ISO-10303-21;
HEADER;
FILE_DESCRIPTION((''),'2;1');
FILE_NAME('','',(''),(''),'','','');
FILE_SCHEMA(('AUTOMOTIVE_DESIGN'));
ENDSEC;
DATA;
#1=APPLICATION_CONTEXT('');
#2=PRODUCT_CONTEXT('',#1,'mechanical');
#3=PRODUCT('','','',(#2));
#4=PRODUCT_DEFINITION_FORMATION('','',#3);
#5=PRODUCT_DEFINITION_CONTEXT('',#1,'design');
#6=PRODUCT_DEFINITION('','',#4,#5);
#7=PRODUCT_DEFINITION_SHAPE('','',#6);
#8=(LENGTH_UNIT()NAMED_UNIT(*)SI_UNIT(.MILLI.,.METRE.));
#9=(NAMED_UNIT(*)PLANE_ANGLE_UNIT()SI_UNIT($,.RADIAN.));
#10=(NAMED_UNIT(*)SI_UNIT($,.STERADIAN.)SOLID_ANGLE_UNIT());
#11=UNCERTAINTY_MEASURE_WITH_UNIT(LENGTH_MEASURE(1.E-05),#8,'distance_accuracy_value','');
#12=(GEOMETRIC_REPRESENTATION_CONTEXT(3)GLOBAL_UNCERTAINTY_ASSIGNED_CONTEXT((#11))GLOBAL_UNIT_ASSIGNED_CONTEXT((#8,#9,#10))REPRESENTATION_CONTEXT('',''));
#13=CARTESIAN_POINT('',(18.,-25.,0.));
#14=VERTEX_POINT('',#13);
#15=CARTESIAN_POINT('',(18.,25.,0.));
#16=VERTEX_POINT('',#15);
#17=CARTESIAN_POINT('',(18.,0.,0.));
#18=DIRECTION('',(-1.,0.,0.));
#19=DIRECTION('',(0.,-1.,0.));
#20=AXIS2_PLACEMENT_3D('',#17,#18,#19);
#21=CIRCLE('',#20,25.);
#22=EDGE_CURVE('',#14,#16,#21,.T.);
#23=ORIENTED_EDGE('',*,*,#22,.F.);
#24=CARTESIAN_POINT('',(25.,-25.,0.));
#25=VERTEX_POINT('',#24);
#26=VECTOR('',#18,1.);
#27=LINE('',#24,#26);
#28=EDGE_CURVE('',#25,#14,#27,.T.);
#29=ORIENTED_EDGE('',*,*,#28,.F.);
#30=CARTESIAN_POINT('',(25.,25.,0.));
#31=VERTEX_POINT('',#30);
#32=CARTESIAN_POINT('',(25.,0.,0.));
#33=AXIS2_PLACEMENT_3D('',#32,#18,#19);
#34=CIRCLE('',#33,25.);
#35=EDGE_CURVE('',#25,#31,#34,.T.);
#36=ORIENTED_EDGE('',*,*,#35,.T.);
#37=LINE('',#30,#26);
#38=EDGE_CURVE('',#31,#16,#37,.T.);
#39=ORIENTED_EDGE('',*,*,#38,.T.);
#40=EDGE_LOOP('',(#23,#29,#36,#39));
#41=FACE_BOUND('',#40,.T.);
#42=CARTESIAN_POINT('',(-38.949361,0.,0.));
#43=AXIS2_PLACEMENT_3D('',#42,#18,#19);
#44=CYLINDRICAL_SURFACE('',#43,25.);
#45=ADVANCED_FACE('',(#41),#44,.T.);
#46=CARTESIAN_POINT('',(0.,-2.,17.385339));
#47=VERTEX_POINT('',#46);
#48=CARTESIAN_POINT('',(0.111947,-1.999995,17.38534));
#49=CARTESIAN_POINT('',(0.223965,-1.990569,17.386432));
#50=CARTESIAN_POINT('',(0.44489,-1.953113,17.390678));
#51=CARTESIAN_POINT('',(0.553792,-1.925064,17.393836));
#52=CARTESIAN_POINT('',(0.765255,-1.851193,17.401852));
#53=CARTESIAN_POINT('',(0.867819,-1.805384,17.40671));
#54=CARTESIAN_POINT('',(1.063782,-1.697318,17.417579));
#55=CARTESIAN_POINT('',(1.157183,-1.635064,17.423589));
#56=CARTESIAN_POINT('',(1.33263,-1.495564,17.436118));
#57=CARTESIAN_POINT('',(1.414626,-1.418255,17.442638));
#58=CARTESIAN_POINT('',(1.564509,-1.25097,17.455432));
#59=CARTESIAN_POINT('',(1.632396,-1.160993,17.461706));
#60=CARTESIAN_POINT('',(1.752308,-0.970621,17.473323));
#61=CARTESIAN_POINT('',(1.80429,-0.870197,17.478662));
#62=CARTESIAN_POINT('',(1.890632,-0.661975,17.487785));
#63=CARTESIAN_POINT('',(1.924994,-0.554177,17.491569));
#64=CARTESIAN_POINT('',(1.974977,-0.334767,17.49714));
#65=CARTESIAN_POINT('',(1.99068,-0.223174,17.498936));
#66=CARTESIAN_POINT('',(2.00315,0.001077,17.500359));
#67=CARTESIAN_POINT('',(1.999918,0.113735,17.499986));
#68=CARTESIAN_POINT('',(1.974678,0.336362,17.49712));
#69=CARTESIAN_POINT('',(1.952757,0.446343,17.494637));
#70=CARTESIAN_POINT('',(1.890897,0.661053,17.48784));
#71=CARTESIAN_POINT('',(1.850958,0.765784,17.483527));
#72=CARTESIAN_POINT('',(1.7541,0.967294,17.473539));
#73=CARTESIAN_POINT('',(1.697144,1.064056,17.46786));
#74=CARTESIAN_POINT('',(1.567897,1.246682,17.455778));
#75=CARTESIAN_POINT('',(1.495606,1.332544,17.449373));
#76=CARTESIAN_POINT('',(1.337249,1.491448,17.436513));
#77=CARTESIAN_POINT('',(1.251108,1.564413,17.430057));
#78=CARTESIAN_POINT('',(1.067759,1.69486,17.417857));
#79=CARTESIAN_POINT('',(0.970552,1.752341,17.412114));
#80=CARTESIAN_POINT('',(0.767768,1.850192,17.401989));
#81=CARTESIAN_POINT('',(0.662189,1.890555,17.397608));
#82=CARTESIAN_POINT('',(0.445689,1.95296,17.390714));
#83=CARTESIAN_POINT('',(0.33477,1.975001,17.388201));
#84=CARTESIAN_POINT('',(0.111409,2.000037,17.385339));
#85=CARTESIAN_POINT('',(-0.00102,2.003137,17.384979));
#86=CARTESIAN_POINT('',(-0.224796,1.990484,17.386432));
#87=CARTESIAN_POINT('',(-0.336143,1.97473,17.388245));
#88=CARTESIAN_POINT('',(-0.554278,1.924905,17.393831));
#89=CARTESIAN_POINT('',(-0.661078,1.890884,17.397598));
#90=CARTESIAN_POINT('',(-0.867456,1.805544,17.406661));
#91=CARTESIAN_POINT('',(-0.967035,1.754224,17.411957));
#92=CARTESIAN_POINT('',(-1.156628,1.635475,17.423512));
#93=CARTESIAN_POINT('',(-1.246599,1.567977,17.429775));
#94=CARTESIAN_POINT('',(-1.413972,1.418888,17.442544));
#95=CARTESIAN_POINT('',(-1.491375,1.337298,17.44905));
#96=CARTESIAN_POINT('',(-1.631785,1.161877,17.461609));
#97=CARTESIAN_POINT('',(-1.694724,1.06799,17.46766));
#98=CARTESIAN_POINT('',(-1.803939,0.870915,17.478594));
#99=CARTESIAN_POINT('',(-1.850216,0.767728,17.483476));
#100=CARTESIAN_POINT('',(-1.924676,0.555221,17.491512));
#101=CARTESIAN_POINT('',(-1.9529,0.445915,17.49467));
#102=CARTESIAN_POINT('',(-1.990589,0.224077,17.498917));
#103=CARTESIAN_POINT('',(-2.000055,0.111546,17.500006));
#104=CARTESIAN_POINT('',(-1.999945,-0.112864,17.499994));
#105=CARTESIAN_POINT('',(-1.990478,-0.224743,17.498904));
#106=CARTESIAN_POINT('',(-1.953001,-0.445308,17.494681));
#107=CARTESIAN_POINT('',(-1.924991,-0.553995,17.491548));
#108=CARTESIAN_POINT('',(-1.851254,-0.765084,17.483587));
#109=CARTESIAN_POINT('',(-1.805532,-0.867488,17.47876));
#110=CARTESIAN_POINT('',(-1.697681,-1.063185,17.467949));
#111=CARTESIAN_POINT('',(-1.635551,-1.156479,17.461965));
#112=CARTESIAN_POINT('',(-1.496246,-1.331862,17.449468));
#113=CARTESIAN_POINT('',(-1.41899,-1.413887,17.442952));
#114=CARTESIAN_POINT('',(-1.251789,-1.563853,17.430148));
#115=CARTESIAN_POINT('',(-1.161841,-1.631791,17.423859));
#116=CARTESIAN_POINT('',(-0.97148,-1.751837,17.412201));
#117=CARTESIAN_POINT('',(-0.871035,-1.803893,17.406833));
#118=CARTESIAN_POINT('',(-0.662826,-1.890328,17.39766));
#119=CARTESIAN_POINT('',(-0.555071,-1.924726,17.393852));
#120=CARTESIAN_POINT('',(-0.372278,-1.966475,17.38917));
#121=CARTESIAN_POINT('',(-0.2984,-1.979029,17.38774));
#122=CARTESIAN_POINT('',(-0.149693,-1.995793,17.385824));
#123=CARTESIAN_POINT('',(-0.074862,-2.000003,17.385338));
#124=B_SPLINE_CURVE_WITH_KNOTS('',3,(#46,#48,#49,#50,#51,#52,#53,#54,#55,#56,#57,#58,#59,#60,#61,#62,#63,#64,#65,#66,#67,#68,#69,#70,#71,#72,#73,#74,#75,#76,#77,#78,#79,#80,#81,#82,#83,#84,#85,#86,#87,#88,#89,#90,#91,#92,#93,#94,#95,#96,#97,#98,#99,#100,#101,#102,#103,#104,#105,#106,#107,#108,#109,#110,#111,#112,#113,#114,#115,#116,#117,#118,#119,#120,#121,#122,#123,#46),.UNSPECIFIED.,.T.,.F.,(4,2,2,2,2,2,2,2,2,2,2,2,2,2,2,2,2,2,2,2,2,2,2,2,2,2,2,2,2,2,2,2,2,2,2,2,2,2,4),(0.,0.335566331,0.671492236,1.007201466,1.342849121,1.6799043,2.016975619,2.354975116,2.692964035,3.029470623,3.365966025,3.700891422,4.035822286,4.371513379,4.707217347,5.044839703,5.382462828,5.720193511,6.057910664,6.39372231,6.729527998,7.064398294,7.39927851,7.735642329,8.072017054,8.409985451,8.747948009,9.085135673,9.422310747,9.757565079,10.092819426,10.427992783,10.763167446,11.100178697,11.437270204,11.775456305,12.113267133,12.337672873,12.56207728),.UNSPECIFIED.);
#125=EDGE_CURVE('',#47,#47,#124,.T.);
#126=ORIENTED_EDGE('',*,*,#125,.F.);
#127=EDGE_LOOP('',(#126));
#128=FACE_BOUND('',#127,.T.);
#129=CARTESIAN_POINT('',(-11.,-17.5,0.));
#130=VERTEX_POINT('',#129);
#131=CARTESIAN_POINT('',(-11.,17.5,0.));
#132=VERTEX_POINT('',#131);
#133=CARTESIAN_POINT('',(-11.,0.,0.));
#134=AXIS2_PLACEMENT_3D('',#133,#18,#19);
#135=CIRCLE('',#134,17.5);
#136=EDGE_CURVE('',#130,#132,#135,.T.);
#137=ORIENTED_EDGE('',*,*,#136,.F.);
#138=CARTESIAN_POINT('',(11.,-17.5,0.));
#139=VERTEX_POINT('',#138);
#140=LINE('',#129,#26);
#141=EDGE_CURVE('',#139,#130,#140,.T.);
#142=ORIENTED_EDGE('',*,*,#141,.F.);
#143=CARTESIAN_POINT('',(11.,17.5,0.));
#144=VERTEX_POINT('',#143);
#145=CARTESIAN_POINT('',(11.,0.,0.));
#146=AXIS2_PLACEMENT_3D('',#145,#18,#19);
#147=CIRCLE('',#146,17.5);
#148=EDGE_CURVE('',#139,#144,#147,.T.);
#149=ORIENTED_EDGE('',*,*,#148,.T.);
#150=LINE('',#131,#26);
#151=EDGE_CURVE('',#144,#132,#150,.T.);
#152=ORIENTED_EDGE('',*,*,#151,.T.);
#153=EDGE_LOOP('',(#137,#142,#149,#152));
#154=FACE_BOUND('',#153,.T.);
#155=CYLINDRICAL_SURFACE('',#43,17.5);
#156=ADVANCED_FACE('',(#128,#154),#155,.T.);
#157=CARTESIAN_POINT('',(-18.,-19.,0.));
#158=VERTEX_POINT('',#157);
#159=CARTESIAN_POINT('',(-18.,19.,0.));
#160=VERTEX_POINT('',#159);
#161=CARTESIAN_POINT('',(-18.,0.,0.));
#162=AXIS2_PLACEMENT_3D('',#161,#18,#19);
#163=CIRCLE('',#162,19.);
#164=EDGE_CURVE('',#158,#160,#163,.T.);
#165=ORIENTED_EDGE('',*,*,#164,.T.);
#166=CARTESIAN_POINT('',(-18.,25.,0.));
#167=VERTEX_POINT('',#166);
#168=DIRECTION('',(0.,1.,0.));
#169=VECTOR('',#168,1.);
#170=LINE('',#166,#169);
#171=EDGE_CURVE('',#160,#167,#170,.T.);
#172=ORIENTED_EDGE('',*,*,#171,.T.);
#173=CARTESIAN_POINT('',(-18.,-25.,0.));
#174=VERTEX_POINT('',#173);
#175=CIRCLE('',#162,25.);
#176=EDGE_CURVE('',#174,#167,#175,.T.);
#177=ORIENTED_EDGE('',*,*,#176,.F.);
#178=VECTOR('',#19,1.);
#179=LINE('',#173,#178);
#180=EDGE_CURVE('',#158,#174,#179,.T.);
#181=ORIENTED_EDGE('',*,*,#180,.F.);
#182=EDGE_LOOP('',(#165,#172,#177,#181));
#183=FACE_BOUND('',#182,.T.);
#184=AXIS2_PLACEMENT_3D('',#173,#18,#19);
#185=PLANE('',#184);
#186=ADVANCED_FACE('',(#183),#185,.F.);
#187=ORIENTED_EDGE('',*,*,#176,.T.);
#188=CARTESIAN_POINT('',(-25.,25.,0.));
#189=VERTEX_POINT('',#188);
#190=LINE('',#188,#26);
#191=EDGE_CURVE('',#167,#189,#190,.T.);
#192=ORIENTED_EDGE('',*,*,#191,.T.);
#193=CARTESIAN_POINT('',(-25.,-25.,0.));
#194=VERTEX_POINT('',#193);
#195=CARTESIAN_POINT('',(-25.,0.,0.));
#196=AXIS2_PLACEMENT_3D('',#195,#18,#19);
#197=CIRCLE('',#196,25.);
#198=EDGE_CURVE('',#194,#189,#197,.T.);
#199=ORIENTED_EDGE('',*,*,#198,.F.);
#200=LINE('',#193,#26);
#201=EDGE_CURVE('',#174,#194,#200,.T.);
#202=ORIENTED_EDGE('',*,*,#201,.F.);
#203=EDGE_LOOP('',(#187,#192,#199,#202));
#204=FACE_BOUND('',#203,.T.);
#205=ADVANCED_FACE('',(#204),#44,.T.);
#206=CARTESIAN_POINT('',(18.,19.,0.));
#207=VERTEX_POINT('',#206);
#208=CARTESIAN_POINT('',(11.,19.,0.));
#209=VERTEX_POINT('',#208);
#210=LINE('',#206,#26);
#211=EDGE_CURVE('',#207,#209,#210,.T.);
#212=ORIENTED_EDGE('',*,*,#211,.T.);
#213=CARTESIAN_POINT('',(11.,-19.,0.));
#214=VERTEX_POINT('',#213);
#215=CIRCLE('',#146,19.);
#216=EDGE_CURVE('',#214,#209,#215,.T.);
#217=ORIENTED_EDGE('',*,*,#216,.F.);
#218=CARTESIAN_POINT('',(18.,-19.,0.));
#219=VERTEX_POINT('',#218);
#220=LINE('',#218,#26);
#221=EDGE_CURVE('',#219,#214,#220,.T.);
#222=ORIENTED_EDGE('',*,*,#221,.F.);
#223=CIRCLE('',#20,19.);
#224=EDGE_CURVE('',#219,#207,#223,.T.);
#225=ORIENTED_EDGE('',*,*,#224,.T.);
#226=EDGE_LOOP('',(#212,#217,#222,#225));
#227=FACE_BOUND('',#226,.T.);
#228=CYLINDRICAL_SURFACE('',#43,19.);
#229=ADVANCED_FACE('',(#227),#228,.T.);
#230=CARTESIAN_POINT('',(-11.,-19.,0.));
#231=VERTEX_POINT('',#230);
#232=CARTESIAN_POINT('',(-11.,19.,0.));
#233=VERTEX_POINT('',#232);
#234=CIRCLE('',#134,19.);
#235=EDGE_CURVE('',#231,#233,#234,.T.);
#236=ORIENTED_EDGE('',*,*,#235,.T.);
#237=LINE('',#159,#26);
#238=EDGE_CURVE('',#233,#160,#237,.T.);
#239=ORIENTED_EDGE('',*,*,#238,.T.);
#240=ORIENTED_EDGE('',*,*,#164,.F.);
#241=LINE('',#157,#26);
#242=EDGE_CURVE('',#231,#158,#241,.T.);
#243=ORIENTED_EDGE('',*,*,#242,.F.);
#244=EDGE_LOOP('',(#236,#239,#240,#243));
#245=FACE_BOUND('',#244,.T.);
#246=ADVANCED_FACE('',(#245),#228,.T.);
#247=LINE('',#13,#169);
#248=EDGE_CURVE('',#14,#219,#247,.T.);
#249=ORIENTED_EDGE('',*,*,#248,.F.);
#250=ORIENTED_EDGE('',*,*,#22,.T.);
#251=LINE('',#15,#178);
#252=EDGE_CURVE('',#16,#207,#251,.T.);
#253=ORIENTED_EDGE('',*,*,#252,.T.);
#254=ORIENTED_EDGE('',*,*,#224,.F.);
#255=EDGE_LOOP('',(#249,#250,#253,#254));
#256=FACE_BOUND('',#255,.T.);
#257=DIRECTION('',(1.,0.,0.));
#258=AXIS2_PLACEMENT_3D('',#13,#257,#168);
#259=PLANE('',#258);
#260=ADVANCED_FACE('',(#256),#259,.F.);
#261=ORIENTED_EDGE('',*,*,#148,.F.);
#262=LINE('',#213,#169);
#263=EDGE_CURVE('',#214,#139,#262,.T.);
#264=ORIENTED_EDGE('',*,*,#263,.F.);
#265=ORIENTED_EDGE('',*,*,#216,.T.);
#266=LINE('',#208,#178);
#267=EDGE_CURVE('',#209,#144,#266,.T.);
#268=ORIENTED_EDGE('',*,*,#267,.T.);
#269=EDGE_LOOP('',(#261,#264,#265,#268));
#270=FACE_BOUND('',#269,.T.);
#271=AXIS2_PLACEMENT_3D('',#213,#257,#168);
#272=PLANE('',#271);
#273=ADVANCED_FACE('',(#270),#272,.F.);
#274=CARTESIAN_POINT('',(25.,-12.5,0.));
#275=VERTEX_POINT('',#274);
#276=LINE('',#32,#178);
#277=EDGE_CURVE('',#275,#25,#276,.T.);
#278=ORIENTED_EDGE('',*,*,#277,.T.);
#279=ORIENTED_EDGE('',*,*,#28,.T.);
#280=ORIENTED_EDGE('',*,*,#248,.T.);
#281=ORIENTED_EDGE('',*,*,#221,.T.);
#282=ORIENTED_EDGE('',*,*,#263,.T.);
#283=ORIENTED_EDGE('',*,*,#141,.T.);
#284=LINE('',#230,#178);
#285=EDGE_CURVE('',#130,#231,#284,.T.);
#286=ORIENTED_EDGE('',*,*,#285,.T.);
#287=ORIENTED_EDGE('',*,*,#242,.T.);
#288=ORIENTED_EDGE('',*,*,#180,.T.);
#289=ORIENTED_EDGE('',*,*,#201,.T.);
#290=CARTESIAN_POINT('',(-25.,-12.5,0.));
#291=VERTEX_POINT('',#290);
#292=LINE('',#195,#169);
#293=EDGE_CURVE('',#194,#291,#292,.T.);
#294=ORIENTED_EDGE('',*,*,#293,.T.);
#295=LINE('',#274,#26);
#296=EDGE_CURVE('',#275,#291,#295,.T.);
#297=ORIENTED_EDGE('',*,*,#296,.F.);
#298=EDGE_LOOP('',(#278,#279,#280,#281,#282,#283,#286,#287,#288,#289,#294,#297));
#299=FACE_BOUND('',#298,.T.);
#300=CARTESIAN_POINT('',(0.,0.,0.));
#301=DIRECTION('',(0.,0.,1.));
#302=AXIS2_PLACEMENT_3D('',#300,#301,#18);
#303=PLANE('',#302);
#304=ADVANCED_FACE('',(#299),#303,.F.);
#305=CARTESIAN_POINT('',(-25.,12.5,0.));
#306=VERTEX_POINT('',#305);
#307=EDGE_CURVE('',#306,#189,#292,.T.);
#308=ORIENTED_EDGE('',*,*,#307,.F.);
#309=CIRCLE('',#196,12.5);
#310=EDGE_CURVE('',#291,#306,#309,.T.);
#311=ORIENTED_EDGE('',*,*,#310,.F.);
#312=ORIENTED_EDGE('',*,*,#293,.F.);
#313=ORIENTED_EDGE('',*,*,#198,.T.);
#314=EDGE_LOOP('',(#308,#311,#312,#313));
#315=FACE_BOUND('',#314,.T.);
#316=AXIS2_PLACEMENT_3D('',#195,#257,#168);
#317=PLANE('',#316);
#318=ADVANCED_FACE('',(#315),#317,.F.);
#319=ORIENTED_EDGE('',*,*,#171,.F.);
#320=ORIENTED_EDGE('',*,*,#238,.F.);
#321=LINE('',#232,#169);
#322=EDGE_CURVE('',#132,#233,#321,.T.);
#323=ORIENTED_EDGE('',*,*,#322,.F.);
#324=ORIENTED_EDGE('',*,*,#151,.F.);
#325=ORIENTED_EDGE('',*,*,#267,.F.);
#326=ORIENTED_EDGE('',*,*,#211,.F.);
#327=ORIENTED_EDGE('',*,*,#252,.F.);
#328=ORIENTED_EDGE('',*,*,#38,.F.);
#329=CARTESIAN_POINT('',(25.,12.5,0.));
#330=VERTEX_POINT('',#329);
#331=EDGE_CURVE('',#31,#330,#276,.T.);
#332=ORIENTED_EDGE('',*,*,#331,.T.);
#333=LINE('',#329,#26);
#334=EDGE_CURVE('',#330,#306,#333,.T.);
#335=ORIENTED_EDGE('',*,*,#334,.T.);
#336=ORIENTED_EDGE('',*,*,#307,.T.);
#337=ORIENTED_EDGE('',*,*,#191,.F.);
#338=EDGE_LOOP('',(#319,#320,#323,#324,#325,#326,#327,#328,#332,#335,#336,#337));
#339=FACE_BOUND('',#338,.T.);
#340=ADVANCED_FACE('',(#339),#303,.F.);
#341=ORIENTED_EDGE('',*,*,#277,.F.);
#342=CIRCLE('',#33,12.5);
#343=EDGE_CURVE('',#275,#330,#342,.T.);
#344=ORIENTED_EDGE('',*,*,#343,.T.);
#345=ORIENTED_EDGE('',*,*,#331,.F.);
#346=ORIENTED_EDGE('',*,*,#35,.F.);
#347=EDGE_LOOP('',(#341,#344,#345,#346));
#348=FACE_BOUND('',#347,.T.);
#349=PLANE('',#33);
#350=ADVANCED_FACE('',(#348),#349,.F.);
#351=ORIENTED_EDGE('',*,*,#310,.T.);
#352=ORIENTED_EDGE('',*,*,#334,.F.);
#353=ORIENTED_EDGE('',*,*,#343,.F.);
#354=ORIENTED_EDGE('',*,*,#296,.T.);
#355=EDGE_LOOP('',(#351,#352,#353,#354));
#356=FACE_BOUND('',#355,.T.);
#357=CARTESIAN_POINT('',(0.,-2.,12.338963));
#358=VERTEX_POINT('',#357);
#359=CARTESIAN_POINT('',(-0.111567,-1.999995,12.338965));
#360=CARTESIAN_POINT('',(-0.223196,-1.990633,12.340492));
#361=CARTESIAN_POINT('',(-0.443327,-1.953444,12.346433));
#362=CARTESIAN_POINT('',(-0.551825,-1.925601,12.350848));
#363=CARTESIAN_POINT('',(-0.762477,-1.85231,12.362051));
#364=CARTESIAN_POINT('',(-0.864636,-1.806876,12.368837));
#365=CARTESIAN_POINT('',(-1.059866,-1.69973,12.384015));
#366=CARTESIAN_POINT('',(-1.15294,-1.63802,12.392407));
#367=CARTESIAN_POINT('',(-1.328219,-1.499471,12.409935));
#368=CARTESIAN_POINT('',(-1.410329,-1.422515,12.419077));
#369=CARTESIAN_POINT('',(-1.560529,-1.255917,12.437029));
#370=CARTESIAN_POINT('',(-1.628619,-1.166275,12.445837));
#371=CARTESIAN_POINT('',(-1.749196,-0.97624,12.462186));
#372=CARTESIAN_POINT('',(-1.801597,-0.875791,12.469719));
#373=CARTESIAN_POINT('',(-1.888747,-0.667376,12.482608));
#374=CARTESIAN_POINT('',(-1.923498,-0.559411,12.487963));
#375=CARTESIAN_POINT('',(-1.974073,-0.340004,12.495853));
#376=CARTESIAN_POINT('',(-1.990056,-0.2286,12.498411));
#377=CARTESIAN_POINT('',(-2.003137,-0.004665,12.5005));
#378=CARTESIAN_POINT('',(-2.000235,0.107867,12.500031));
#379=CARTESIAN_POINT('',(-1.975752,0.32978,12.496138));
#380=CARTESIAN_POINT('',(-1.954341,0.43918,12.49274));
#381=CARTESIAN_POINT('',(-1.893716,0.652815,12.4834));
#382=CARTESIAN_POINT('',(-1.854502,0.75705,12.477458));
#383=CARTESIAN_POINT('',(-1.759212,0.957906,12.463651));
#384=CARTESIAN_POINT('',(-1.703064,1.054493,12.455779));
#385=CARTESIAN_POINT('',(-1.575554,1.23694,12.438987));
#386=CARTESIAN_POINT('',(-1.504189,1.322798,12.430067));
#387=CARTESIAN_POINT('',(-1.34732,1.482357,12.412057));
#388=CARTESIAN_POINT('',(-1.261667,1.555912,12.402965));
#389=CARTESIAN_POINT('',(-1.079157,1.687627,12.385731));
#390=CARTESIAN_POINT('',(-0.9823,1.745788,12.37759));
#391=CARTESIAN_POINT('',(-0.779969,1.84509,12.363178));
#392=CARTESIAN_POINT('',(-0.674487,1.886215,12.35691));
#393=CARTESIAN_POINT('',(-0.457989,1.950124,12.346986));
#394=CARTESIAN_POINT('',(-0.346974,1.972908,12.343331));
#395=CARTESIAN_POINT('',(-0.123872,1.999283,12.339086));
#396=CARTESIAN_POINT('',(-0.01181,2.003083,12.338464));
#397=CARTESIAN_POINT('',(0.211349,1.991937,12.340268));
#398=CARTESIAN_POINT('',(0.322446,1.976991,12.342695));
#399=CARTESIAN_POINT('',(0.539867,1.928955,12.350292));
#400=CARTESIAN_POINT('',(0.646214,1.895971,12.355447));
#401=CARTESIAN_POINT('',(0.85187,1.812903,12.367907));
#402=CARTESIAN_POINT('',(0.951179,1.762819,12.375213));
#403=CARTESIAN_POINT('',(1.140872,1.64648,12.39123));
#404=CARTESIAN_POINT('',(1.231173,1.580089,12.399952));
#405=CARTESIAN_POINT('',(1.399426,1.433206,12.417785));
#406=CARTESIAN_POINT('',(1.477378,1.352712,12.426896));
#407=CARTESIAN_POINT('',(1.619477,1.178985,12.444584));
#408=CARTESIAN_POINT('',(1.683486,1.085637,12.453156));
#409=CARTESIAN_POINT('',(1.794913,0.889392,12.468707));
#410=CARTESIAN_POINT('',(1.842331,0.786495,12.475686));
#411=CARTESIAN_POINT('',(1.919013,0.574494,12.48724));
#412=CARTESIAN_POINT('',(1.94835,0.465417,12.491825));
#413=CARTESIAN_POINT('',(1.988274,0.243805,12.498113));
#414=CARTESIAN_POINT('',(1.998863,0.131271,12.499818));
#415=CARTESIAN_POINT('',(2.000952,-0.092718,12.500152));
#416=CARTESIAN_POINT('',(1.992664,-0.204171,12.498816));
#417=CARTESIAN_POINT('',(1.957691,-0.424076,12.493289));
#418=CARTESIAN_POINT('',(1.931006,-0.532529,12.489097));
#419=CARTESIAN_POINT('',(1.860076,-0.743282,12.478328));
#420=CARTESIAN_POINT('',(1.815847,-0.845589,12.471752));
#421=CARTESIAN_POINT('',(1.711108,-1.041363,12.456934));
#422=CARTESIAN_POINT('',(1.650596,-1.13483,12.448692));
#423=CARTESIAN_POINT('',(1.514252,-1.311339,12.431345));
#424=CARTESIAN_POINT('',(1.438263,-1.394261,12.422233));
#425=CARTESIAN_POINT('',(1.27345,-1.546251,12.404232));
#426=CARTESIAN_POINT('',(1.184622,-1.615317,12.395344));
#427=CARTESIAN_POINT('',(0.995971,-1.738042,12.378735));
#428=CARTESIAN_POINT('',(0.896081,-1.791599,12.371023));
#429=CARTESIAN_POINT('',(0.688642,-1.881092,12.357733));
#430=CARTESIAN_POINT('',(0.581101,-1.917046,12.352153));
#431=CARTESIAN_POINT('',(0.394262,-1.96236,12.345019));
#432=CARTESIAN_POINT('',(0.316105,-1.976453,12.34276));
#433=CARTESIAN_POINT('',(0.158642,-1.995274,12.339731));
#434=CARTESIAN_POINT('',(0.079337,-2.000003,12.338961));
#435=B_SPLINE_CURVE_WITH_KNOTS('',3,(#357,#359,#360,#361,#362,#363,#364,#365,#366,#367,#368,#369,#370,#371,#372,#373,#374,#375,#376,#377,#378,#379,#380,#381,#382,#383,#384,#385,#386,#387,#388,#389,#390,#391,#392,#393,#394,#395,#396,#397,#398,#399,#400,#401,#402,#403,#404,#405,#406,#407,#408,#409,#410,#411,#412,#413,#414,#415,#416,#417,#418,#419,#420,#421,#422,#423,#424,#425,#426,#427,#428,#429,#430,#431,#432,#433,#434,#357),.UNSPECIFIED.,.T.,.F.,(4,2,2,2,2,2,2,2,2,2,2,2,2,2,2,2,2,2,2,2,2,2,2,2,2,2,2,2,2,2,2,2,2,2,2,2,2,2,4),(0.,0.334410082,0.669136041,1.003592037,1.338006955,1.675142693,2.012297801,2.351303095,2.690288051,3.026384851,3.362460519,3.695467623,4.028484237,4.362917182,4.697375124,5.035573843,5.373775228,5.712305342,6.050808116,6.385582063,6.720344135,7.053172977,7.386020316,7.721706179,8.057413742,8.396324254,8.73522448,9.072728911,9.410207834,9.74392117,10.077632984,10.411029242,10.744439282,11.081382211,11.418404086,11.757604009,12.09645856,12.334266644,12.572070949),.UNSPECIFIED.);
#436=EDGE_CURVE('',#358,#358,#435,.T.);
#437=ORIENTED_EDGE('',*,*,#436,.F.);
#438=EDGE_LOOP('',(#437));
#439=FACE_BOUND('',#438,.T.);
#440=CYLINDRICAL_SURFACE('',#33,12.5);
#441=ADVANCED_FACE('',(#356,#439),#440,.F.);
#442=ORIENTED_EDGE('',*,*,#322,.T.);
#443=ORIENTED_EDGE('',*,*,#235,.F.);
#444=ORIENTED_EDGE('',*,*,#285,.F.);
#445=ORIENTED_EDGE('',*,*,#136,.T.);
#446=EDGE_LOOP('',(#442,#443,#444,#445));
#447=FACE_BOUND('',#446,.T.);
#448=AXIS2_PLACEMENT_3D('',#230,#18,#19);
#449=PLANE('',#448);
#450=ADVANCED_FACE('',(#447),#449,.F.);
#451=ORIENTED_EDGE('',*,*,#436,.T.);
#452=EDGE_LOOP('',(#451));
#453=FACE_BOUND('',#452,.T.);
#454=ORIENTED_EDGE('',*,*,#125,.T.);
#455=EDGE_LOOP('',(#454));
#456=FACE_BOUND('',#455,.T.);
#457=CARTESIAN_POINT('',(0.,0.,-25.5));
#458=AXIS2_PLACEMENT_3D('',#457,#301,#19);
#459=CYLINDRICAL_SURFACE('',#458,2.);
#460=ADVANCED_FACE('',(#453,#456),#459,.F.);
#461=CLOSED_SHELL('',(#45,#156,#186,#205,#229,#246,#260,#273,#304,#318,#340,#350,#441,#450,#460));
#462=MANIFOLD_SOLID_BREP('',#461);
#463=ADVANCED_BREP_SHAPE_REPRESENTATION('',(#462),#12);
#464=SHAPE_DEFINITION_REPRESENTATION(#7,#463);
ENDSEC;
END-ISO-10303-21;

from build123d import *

# Parameters (mm, degrees)
REVOLVE1_ANGLE     = 180
CUT_EXTRUDE3_DEPTH = 50
SKETCH4_R          = 2
CUT_EXTRUDE4_DEPTH = 43


with BuildPart() as part:
    # Sketch1 → Revolve1 (revolve)
    with BuildSketch(Plane.XY):
        Polygon((25, 0), (-25, 0), (-25, 25), (-18, 25), (-18, 19), (-11, 19), (-11, 17.5), (11, 17.5), (11, 19), (18, 19), (18, 25), (25, 25), align=None)
    revolve(axis=Axis((-38.949360705, 0, 0), (1, 0, 0)), revolution_arc=REVOLVE1_ANGLE)

    # Sketch2 → Cut-Extrude3 (cut)
    with BuildSketch(Plane.ZY.offset(25)):
        with BuildLine():
            Line((0, 12.5), (0, -12.5))
            ThreePointArc((0, -12.5), (12.5, 0), (0, 12.5))
        make_face()
    extrude(amount=-CUT_EXTRUDE3_DEPTH, mode=Mode.SUBTRACT)

    # Sketch4 → Cut-Extrude4 (cut)
    with BuildSketch(Plane(origin=(0, 0, 17.5), x_dir=(-1, 0, 0), z_dir=(0, 0, -1))):
        Circle(SKETCH4_R)
    extrude(amount=CUT_EXTRUDE4_DEPTH, mode=Mode.SUBTRACT)


solid = part.part
